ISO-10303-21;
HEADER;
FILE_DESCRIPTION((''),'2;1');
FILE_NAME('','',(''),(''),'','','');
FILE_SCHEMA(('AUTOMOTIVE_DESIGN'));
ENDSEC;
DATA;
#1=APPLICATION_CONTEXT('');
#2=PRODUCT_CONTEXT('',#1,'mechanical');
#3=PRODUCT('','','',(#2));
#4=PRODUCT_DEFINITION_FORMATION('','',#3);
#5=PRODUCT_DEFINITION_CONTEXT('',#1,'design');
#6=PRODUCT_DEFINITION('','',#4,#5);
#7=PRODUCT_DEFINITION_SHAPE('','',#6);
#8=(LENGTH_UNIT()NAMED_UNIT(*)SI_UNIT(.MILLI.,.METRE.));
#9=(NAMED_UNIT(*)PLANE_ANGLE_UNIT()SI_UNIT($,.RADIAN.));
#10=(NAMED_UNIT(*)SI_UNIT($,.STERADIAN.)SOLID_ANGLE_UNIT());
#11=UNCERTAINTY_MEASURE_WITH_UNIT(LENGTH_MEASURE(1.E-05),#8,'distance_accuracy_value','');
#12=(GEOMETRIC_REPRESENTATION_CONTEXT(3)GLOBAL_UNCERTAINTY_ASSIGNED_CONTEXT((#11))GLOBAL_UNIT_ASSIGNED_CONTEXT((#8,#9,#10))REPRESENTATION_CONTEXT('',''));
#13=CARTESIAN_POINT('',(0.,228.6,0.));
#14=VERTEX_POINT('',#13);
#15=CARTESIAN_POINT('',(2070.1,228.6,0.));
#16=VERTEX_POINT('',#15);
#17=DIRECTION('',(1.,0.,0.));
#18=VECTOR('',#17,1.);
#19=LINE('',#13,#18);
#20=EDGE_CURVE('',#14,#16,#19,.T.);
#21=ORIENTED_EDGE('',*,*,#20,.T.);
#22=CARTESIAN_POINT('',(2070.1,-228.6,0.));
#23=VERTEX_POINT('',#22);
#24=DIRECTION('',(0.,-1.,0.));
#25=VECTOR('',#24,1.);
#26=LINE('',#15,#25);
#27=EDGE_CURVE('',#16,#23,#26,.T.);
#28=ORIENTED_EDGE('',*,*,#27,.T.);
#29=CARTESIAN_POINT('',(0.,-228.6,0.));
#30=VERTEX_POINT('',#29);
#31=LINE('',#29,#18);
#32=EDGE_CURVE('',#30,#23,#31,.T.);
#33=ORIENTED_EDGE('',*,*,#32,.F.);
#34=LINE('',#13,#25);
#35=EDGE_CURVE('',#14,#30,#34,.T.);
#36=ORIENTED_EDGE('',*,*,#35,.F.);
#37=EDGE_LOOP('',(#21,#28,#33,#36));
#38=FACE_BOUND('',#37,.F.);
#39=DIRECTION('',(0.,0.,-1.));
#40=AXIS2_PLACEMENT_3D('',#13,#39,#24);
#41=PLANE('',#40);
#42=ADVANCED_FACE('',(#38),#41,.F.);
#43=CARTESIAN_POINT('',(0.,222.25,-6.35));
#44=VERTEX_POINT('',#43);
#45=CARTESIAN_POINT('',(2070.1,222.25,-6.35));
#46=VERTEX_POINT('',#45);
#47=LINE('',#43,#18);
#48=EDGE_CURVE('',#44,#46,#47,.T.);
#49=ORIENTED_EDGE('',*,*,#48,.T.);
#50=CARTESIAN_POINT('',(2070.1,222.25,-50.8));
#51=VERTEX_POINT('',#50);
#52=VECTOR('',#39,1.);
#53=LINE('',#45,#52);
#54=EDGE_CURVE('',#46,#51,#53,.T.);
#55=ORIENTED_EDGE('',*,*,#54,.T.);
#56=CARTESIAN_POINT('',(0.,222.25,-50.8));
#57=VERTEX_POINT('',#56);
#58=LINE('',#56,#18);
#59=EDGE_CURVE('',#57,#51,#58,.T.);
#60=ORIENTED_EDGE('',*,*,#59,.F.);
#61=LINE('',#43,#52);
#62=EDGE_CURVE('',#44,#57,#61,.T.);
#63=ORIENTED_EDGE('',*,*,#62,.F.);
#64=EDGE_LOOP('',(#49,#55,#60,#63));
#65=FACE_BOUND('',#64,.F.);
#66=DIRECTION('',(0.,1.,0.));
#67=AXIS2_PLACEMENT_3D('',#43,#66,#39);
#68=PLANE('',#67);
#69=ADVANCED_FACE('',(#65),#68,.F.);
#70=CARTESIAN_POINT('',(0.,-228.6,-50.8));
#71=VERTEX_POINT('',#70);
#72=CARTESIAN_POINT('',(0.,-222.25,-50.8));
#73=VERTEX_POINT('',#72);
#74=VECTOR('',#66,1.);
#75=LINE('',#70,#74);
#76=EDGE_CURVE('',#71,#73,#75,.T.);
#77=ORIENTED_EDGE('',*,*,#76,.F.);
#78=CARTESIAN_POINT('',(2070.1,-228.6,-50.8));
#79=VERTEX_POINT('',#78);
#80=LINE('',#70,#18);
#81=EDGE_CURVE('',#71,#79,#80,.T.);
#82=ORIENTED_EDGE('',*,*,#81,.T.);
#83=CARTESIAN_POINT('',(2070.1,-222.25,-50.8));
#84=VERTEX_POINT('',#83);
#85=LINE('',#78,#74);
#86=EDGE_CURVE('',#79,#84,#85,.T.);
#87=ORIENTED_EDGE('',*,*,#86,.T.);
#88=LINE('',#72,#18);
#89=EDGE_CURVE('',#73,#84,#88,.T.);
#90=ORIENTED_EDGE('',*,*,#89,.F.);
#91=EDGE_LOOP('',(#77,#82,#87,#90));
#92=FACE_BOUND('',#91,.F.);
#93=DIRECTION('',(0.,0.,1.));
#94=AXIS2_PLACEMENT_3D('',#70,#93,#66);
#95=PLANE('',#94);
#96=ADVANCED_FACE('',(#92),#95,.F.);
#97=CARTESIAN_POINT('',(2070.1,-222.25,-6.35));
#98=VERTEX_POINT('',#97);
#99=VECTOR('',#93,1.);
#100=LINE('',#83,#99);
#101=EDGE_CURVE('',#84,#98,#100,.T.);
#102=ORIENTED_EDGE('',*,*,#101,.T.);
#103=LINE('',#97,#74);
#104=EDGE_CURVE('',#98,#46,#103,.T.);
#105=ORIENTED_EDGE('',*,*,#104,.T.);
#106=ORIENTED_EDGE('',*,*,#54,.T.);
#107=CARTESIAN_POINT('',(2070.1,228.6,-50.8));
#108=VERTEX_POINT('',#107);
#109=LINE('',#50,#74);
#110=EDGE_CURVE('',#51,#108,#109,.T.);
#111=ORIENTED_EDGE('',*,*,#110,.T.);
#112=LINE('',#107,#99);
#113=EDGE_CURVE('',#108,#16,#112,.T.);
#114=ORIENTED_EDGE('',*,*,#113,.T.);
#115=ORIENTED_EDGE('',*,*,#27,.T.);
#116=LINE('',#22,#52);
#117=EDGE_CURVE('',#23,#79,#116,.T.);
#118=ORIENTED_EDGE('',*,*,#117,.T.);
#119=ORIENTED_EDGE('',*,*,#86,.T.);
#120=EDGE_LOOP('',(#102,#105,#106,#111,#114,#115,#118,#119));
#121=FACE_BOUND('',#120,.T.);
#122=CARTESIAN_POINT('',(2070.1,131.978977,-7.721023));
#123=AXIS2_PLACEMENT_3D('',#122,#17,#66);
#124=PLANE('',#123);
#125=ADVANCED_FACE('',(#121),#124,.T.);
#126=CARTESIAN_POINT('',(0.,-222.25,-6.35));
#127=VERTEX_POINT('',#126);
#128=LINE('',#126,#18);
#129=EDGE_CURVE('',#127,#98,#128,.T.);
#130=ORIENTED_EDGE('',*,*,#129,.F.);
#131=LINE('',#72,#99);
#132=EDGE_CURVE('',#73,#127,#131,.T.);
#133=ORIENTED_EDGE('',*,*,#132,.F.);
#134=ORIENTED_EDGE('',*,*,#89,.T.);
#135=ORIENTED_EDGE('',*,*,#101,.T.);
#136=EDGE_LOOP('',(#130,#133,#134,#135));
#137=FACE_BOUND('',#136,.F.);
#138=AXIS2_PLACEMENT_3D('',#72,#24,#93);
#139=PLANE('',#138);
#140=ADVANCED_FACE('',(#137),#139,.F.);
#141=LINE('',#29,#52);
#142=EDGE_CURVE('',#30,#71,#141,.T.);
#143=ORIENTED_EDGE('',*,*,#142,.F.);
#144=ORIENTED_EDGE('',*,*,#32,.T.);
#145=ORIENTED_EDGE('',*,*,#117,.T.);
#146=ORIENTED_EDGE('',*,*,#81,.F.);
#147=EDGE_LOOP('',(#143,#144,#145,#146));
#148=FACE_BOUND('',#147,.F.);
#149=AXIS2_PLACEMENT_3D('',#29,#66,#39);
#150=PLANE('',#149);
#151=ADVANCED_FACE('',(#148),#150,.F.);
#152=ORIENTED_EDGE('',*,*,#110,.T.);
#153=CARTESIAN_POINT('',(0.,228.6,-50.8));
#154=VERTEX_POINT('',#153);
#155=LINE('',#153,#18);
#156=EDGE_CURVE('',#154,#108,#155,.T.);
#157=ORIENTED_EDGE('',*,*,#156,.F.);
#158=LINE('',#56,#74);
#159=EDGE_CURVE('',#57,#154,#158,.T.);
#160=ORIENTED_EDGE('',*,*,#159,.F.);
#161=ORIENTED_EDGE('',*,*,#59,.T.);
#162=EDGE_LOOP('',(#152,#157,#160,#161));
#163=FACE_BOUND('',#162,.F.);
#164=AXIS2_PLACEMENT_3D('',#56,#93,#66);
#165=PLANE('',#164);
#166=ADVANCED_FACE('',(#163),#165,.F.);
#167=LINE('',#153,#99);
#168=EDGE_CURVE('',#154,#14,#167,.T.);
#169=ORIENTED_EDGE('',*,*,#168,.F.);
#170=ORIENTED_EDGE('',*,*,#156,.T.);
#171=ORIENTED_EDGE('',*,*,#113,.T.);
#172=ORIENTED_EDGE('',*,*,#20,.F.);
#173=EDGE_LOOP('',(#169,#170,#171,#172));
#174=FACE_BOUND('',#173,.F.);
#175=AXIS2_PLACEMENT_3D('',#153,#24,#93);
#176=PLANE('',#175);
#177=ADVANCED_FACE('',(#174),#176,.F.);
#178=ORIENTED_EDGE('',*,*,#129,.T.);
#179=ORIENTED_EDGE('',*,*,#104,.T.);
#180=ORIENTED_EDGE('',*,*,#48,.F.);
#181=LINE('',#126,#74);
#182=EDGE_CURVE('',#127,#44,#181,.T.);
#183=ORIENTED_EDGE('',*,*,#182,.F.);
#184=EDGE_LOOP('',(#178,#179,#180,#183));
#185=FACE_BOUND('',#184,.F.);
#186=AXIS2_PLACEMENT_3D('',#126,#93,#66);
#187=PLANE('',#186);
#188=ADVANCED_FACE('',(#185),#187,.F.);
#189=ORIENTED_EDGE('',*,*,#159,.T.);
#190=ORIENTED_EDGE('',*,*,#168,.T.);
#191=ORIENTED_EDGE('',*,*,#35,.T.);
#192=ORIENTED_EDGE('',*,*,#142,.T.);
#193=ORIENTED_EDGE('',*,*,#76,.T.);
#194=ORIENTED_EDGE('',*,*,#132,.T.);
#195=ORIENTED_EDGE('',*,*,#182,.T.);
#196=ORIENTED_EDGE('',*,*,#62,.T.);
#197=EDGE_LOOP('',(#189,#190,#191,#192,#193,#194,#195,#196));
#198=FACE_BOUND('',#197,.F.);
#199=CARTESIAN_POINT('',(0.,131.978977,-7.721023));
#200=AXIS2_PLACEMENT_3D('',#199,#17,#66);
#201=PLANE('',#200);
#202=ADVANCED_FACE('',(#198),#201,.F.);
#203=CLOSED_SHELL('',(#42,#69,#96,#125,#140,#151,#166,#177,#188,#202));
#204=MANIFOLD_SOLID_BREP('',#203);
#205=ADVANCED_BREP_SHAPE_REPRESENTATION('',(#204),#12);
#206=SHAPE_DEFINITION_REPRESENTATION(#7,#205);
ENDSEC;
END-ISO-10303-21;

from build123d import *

# Parameters (mm, degrees)
F1_DEPTH = 2070.1


with BuildPart() as f1:
    # F0 (on Right) → F1 (new body)
    with BuildSketch(Plane.YZ):
        Polygon((228.6, 0), (0, 0), (0, -6.35), (222.25, -6.35), (222.25, -50.8), (228.6, -50.8), align=None)
        Polygon((0, -6.35), (0, 0), (-228.6, 0), (-228.6, -50.8), (-222.25, -50.8), (-222.25, -6.35), align=None)
    extrude(amount=F1_DEPTH)


solid = f1.part
